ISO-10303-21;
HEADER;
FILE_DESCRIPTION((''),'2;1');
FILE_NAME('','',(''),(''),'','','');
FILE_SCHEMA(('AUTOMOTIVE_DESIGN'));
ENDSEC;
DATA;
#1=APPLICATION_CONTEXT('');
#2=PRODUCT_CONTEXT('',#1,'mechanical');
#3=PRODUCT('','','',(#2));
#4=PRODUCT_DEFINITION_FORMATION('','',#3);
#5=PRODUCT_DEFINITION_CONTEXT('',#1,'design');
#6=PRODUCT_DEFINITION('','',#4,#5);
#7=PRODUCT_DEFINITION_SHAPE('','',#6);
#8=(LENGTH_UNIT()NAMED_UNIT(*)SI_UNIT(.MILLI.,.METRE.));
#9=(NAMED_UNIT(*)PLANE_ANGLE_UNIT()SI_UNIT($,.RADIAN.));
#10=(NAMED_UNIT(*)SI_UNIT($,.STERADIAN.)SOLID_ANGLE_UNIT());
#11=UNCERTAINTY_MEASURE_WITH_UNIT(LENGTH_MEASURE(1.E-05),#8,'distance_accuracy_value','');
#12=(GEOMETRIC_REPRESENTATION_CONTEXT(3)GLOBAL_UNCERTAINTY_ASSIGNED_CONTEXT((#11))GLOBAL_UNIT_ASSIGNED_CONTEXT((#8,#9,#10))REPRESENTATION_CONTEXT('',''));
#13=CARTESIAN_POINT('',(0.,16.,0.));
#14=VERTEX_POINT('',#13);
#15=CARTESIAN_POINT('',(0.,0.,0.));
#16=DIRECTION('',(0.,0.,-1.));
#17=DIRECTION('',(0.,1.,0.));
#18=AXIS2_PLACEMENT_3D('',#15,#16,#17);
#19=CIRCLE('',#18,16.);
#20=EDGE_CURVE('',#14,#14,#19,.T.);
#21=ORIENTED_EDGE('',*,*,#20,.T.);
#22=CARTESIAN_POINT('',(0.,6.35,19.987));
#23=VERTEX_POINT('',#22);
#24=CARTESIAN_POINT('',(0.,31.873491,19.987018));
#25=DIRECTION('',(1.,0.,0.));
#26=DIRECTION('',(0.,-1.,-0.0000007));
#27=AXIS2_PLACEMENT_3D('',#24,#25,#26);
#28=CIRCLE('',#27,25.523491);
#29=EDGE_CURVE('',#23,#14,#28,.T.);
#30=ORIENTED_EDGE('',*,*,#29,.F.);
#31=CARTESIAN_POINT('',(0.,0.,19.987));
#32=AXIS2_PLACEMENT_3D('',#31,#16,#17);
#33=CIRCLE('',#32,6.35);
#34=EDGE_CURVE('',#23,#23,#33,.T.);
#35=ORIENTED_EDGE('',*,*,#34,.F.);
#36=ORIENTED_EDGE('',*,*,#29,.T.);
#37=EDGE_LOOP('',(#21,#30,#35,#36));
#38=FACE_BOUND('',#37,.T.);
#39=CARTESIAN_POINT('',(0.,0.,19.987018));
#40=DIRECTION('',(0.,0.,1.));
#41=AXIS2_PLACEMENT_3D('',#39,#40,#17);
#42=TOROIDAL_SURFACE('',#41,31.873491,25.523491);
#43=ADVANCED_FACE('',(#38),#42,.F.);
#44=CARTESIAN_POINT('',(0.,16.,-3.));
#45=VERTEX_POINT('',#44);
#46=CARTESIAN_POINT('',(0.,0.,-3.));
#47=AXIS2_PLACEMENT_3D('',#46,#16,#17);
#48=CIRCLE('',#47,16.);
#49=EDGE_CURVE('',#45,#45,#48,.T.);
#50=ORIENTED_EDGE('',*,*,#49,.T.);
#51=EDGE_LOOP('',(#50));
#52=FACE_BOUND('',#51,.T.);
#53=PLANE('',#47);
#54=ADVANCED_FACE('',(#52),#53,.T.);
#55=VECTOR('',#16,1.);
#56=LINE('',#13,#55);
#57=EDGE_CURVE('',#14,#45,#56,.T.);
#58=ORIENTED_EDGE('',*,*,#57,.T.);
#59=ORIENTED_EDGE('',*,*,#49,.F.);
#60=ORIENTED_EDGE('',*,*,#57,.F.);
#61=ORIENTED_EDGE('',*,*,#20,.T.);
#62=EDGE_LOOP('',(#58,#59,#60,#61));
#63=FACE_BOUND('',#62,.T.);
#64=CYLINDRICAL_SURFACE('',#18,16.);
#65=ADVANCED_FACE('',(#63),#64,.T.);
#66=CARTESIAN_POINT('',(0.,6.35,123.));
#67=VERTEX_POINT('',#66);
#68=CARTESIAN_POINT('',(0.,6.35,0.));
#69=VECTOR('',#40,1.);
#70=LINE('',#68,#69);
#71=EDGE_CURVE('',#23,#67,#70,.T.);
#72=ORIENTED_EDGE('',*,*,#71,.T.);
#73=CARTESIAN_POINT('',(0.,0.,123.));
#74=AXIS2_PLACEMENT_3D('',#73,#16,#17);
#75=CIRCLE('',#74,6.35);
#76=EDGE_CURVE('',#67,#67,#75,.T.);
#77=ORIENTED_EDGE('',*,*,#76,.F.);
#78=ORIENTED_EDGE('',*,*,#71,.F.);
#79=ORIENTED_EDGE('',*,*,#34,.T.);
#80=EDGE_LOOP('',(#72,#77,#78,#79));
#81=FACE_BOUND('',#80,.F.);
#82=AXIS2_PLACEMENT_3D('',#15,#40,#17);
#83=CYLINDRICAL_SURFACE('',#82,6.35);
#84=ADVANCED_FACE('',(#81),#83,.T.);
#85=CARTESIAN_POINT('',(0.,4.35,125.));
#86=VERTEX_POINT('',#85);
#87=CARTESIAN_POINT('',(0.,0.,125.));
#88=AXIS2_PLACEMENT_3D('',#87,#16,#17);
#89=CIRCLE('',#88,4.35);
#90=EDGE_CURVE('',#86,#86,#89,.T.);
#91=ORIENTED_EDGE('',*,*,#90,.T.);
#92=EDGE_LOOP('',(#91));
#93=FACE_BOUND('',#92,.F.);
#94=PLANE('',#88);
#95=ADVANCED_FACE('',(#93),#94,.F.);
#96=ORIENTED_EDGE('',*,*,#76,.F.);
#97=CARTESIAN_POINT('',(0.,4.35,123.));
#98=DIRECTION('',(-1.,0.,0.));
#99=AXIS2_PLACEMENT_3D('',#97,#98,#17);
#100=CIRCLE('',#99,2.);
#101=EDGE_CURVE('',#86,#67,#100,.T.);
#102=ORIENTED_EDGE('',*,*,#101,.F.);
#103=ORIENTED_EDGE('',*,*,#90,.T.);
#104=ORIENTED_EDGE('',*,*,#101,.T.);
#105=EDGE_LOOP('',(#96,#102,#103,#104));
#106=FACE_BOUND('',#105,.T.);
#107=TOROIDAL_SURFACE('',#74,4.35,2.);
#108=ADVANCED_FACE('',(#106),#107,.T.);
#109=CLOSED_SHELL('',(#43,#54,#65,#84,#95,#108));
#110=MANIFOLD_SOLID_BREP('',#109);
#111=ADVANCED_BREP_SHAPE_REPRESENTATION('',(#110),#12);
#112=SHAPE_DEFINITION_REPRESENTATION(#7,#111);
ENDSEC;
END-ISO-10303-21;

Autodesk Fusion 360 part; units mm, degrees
sketch "Sketch1" plane through (0, 0, 0) normal (1, 0, 0) x (0, 1, 0)
  line L0 (0, 0) -> (6.35, 0)
  line L1 (6.35, 0) -> (6.35, 125)
  line L2 (6.35, 125) -> (0, 125)
  line L3 (0, 125) -> (0, 0)
  line L4 (6.2544, 0) -> (6.2544, -3)
  line L5 (0, 0) -> (16, 0)
  arc A0 (6.35, 19.987) -> (16, 0) centre (31.8735, 19.987) ccw
  line L6 (0, 0) -> (16, 0)
  line L7 (16, 0) -> (16, -3)
  line L8 (16, -3) -> (0, -3)
  line L9 (0, -3) -> (0, 0)
  dimension "d1" = 6.35
  dimension "d2" = 125
  dimension "d5" = 16
  dimension "d6" = 3
revolve "Revolve1" add sketch "Sketch1" angle 360 about axis through (0, 0, 125) along (0, 0, -1)
fillet "Fillet1" radius 2 1 edges at (-5.9203, 2.2963, 125)
